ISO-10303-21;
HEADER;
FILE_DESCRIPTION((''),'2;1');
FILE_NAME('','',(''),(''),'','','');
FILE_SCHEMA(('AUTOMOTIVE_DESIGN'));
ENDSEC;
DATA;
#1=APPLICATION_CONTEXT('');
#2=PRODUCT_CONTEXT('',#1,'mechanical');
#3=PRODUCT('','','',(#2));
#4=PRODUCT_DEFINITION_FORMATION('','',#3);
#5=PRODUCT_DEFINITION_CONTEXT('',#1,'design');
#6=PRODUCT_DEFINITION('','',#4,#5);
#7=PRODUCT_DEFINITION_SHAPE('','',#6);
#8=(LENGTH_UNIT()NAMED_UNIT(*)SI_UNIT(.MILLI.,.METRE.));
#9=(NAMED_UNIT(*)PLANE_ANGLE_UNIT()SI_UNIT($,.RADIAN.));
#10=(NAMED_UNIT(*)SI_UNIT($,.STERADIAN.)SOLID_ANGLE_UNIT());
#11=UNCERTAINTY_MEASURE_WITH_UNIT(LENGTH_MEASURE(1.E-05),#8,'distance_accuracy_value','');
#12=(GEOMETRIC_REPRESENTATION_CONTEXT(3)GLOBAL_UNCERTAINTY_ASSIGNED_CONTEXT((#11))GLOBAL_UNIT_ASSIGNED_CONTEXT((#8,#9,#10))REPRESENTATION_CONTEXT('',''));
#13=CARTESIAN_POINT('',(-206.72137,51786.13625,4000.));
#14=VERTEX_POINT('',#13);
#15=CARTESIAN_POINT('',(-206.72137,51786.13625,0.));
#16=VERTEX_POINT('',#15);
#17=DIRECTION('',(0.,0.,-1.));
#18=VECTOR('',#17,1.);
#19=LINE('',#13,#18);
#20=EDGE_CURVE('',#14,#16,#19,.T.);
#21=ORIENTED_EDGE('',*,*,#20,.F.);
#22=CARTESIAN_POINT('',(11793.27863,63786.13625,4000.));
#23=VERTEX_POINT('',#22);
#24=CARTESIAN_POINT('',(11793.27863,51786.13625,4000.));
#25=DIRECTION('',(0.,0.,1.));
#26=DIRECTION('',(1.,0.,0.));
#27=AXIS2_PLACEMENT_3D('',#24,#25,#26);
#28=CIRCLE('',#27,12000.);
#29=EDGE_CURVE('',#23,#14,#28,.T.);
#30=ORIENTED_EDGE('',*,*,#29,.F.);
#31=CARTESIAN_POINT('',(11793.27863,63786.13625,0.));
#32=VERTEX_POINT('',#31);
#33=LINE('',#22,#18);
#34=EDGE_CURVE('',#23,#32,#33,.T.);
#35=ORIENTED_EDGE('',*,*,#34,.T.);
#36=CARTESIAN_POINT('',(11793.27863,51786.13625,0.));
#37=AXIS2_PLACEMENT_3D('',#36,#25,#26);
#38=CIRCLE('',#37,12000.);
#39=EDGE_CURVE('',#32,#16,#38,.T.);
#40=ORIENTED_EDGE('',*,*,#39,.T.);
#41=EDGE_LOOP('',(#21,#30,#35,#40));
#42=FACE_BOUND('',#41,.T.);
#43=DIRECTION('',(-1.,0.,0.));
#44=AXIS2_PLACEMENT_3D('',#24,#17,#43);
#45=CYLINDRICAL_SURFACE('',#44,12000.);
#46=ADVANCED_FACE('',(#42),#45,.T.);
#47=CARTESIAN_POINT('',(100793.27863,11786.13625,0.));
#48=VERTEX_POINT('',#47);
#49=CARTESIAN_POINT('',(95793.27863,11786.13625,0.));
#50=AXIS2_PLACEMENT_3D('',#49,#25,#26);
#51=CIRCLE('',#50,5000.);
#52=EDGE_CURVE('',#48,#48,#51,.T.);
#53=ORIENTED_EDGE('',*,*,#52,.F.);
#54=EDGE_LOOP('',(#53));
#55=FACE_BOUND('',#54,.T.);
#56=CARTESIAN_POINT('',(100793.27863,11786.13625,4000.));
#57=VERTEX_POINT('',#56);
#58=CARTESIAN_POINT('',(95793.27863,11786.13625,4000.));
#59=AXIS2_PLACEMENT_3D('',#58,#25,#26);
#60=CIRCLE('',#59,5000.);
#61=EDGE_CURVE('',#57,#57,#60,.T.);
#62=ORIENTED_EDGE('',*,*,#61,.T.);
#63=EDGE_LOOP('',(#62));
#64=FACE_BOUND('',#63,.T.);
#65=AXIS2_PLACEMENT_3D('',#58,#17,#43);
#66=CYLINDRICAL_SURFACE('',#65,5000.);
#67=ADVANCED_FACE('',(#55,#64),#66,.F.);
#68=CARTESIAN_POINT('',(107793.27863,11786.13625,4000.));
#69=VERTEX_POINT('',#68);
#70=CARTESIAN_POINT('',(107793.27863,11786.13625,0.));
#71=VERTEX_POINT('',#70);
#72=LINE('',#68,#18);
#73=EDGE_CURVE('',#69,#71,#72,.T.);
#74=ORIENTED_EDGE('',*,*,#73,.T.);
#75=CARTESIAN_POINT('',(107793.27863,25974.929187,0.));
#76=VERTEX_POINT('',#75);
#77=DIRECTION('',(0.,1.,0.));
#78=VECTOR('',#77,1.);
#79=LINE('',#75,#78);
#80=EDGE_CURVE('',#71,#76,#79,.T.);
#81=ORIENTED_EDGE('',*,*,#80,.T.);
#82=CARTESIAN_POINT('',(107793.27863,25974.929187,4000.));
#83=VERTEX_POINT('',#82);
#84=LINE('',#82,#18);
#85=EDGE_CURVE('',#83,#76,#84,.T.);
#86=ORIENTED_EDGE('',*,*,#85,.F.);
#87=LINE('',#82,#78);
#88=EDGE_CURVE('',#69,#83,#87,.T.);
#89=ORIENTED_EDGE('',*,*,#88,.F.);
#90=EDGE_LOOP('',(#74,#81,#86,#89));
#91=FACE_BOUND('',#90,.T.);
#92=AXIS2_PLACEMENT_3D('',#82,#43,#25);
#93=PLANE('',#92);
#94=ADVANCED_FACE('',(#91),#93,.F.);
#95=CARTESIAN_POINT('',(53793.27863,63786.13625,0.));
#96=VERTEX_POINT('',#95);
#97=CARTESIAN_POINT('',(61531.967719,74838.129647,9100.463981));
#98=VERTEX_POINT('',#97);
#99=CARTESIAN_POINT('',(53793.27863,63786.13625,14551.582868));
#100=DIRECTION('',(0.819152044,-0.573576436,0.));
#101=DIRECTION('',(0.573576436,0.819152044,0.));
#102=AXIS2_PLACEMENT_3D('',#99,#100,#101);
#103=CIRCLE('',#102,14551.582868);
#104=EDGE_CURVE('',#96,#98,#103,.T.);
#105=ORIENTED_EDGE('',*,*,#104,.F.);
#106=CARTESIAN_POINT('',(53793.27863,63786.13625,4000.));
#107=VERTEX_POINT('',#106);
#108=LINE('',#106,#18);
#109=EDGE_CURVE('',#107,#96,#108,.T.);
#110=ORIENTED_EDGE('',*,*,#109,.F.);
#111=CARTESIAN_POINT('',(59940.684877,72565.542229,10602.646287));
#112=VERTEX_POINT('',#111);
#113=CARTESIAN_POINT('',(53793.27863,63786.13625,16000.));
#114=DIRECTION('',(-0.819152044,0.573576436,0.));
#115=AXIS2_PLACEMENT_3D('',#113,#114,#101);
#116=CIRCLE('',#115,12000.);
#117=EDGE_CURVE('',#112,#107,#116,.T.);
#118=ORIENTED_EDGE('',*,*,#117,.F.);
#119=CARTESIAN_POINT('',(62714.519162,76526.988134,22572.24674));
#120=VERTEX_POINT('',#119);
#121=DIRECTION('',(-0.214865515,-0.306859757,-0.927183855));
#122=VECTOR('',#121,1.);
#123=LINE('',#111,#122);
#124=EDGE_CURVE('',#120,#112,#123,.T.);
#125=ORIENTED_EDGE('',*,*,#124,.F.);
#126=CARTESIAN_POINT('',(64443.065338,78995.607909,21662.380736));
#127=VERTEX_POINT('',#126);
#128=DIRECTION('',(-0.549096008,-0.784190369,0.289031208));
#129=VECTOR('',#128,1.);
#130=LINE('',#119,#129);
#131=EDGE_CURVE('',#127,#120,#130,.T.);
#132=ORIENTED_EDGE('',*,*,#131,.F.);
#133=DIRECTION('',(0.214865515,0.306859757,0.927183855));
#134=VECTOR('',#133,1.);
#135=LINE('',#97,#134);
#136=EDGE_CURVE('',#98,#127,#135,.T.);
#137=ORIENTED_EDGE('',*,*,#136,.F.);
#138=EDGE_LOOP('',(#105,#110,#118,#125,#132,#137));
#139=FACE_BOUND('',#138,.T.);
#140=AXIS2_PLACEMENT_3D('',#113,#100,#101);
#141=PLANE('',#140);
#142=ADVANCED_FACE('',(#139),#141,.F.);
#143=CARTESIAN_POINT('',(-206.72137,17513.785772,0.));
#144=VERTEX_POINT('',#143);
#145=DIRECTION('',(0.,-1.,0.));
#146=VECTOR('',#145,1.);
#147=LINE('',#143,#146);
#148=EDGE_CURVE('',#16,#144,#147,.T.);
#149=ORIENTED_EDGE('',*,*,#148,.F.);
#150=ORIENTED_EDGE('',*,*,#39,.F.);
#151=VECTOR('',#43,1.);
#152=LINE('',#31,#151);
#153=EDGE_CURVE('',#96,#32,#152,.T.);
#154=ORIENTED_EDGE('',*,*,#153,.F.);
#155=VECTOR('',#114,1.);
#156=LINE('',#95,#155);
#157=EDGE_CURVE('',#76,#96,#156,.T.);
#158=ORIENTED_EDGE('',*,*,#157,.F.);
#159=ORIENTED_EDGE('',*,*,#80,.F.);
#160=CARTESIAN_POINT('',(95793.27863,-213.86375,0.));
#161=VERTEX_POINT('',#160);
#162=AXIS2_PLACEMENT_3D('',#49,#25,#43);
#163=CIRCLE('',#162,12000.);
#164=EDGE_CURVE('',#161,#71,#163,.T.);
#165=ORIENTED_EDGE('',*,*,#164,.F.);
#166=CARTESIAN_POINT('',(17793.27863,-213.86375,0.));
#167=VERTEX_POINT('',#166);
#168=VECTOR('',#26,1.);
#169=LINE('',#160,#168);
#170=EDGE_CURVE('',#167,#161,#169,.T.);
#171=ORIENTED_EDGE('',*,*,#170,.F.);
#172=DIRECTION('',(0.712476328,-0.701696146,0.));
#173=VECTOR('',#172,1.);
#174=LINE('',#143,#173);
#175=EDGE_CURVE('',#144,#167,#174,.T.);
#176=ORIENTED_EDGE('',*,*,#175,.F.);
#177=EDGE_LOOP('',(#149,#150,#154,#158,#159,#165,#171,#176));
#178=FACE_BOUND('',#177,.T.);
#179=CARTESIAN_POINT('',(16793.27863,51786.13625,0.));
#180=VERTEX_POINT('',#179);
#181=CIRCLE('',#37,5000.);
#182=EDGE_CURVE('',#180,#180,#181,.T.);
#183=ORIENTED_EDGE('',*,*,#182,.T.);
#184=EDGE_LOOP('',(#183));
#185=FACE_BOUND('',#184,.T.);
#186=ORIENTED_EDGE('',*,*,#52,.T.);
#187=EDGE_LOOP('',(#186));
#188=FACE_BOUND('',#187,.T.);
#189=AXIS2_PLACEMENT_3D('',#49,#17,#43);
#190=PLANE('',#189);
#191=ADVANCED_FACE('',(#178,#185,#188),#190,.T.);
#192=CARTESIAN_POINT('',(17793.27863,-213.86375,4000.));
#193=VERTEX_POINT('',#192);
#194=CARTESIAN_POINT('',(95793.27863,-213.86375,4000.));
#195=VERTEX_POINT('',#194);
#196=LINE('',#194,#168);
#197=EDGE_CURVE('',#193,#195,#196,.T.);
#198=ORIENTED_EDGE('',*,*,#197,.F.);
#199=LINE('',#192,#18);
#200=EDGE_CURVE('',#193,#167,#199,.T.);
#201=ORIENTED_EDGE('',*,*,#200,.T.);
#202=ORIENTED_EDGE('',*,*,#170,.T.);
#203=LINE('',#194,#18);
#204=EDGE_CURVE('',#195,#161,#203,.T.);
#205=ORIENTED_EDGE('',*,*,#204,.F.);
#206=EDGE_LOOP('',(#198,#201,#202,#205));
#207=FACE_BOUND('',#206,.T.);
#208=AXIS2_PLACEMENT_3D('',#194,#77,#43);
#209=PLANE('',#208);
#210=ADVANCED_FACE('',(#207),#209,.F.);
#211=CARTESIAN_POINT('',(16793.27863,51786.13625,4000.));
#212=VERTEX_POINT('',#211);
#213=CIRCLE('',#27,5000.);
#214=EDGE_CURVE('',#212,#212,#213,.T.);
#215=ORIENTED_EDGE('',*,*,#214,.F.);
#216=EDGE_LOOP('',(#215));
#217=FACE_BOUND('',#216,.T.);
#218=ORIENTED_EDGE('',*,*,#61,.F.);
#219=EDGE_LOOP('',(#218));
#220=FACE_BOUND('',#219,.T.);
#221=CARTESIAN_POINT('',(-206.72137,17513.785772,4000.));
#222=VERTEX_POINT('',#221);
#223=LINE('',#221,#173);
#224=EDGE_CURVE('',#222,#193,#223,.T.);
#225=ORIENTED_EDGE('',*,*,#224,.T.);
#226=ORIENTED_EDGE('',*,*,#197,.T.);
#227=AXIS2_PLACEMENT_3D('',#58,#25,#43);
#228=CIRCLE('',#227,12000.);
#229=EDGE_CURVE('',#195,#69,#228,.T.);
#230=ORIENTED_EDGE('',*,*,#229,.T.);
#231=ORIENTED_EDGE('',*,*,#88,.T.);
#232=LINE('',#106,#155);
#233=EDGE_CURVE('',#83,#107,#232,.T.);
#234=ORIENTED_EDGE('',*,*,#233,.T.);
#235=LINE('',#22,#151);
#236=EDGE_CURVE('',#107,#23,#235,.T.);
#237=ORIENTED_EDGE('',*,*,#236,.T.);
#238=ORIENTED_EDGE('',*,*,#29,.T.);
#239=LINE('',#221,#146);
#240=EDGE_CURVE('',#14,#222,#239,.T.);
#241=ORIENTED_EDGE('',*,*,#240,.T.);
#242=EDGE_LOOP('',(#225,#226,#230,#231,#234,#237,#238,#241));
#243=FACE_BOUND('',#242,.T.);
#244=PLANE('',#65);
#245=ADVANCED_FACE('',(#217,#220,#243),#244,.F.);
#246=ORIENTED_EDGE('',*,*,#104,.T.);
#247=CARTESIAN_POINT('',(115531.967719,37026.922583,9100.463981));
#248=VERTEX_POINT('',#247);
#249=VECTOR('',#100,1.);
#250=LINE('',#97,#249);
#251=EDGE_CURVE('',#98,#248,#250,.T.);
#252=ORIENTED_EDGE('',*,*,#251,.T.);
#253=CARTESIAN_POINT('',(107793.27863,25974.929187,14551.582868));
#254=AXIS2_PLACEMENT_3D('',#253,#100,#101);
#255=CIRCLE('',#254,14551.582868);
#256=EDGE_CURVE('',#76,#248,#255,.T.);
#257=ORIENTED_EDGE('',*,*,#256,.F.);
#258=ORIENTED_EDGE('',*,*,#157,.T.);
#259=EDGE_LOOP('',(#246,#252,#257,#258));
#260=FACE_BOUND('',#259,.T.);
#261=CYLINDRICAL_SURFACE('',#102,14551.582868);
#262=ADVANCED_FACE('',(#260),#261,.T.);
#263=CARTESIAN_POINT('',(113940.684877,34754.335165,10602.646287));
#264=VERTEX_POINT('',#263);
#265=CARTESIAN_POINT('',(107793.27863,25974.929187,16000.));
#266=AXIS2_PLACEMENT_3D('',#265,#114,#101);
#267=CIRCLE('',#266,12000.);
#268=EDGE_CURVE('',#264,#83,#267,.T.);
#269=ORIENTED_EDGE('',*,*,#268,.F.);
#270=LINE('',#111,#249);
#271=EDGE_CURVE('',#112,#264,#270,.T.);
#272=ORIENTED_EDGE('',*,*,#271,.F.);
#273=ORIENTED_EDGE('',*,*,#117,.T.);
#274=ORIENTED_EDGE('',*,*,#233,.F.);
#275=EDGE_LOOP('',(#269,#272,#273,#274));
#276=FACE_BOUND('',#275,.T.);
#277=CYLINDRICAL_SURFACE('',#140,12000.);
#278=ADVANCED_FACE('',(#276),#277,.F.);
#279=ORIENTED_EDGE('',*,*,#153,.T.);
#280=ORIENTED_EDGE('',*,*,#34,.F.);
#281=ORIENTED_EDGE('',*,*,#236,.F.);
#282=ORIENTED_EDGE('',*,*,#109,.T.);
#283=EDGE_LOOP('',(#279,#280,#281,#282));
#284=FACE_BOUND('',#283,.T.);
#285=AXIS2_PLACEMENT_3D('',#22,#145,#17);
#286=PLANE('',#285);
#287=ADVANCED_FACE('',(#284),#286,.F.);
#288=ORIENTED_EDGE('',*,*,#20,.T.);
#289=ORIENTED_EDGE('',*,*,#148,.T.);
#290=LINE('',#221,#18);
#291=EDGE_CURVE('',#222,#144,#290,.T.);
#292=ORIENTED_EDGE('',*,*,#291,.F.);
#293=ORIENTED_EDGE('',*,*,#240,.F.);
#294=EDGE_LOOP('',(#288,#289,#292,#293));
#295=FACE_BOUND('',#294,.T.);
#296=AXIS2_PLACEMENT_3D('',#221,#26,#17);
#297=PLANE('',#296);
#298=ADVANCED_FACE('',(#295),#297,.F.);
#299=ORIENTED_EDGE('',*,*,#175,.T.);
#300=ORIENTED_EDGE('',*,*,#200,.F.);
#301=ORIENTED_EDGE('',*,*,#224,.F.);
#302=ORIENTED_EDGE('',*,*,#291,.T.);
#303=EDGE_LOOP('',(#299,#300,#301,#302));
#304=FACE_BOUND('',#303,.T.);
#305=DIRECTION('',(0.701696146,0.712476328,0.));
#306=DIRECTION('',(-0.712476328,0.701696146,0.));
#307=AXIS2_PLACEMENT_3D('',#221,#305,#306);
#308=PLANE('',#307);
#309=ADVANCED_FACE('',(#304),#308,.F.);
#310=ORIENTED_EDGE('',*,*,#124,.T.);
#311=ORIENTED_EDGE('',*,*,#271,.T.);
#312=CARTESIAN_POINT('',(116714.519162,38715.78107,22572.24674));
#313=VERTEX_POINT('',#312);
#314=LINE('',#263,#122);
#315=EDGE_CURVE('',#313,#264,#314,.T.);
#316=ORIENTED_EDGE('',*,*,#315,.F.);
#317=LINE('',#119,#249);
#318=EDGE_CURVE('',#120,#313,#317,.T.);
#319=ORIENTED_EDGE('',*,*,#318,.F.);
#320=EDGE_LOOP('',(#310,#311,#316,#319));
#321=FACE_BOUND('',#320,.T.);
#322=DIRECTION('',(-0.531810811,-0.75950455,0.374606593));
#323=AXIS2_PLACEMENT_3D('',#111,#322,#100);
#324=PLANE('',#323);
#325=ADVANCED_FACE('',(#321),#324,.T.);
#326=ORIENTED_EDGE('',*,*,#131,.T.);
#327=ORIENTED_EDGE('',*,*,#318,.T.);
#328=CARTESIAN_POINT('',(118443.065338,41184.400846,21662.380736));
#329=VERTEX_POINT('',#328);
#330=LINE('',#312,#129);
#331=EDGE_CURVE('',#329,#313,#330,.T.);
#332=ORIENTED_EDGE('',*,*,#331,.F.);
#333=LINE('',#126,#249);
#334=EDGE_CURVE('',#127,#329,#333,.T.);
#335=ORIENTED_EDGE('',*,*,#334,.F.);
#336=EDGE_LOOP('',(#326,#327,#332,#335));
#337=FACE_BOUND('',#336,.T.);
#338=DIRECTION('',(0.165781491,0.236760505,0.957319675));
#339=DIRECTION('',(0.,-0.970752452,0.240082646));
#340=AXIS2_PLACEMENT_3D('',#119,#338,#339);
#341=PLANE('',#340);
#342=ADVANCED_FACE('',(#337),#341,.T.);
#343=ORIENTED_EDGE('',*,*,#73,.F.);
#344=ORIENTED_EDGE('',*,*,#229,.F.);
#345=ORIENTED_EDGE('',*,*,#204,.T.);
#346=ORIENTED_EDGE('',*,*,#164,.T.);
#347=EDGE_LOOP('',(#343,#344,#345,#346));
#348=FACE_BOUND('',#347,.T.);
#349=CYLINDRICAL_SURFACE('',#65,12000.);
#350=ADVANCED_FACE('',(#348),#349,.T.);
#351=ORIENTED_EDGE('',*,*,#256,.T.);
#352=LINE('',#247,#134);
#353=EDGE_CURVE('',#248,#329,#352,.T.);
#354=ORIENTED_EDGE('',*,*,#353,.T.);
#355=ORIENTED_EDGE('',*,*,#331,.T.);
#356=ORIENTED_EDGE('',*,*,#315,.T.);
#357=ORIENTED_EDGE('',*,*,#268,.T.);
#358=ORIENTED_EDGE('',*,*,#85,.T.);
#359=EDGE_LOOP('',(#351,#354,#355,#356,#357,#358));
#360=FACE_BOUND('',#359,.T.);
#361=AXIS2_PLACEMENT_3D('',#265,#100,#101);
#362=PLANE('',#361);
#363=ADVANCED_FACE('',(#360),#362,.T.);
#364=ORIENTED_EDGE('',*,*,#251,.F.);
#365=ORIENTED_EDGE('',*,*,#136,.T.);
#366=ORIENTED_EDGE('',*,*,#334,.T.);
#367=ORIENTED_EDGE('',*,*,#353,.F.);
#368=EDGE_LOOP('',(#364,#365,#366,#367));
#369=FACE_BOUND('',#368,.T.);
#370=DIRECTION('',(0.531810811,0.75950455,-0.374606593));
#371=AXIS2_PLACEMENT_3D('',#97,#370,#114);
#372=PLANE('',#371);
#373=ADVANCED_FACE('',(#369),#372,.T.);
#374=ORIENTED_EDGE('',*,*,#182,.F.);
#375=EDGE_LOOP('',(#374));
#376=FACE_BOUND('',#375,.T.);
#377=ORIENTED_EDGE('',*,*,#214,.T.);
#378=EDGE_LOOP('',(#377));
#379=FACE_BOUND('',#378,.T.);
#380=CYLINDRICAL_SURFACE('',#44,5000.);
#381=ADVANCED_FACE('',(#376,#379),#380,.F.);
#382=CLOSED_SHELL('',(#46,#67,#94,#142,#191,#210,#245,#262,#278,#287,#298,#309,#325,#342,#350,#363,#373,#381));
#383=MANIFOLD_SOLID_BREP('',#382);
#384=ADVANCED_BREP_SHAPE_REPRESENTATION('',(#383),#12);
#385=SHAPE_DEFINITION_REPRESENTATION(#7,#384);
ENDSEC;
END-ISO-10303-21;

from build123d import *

# Parameters (mm, degrees)
SKETCH1_R           = 5000
BOSS_EXTRUDE1_DEPTH = 4000
BOSS_EXTRUDE2_DEPTH = 65921.827793


with BuildPart() as part:
    # Sketch1 → Boss-Extrude1 (new body)
    with BuildSketch(Plane.XY):
        with BuildLine():
            Line((11793.278630485, 63786.136250361), (53793.278630484, 63786.136250361))
            Line((53793.278630484, 63786.136250361), (107793.278630484, 25974.929187037))
            Line((107793.278630484, 25974.929187037), (107793.278630484, 11786.136250361))
            ThreePointArc((107793.278630484, 11786.136250361), (104278.560004723, 3300.854876123), (95793.278630484, -213.863749639))
            Line((95793.278630484, -213.863749639), (17793.278630484, -213.863749639))
            Line((17793.278630484, -213.863749639), (-206.721369516, 17513.785772275))
            Line((-206.721369516, 17513.785772275), (-206.721369516, 51786.136250361))
            ThreePointArc((-206.721369516, 51786.136250361), (3307.997256246, 60271.4176246), (11793.278630485, 63786.136250361))
        make_face()
        with Locations((11793.278630484, 51786.136250361)):
            Circle(SKETCH1_R, mode=Mode.SUBTRACT)
        with Locations((95793.278630484, 11786.136250361)):
            Circle(SKETCH1_R, mode=Mode.SUBTRACT)
    extrude(amount=BOSS_EXTRUDE1_DEPTH)

    # Sketch5 → Boss-Extrude2 (add)
    with BuildSketch(Plane(origin=(60126.150977366, -42100.784157887, 0), x_dir=(0, 0, -1), z_dir=(0.8191520442889906, -0.5735764363510479, 0))):
        with BuildLine():
            Line((-4000, 83105.100963292), (0, 83105.100963292))
            ThreePointArc((0, 83105.100963292), (-2487.773930273, 91242.24283732), (-9100.463980983, 96597.093656853))
            Line((-9100.463980983, 96597.093656853), (-21662.380736448, 101672.437472819))
            Line((-21662.380736448, 101672.437472819), (-22572.246739713, 98658.809181653))
            Line((-22572.246739713, 98658.809181653), (-10602.646287059, 93822.776686013))
            ThreePointArc((-10602.646287059, 93822.776686013), (-5783.145186622, 89399.215493737), (-4000, 83105.100963292))
        make_face()
    extrude(amount=-BOSS_EXTRUDE2_DEPTH)


solid = part.part
